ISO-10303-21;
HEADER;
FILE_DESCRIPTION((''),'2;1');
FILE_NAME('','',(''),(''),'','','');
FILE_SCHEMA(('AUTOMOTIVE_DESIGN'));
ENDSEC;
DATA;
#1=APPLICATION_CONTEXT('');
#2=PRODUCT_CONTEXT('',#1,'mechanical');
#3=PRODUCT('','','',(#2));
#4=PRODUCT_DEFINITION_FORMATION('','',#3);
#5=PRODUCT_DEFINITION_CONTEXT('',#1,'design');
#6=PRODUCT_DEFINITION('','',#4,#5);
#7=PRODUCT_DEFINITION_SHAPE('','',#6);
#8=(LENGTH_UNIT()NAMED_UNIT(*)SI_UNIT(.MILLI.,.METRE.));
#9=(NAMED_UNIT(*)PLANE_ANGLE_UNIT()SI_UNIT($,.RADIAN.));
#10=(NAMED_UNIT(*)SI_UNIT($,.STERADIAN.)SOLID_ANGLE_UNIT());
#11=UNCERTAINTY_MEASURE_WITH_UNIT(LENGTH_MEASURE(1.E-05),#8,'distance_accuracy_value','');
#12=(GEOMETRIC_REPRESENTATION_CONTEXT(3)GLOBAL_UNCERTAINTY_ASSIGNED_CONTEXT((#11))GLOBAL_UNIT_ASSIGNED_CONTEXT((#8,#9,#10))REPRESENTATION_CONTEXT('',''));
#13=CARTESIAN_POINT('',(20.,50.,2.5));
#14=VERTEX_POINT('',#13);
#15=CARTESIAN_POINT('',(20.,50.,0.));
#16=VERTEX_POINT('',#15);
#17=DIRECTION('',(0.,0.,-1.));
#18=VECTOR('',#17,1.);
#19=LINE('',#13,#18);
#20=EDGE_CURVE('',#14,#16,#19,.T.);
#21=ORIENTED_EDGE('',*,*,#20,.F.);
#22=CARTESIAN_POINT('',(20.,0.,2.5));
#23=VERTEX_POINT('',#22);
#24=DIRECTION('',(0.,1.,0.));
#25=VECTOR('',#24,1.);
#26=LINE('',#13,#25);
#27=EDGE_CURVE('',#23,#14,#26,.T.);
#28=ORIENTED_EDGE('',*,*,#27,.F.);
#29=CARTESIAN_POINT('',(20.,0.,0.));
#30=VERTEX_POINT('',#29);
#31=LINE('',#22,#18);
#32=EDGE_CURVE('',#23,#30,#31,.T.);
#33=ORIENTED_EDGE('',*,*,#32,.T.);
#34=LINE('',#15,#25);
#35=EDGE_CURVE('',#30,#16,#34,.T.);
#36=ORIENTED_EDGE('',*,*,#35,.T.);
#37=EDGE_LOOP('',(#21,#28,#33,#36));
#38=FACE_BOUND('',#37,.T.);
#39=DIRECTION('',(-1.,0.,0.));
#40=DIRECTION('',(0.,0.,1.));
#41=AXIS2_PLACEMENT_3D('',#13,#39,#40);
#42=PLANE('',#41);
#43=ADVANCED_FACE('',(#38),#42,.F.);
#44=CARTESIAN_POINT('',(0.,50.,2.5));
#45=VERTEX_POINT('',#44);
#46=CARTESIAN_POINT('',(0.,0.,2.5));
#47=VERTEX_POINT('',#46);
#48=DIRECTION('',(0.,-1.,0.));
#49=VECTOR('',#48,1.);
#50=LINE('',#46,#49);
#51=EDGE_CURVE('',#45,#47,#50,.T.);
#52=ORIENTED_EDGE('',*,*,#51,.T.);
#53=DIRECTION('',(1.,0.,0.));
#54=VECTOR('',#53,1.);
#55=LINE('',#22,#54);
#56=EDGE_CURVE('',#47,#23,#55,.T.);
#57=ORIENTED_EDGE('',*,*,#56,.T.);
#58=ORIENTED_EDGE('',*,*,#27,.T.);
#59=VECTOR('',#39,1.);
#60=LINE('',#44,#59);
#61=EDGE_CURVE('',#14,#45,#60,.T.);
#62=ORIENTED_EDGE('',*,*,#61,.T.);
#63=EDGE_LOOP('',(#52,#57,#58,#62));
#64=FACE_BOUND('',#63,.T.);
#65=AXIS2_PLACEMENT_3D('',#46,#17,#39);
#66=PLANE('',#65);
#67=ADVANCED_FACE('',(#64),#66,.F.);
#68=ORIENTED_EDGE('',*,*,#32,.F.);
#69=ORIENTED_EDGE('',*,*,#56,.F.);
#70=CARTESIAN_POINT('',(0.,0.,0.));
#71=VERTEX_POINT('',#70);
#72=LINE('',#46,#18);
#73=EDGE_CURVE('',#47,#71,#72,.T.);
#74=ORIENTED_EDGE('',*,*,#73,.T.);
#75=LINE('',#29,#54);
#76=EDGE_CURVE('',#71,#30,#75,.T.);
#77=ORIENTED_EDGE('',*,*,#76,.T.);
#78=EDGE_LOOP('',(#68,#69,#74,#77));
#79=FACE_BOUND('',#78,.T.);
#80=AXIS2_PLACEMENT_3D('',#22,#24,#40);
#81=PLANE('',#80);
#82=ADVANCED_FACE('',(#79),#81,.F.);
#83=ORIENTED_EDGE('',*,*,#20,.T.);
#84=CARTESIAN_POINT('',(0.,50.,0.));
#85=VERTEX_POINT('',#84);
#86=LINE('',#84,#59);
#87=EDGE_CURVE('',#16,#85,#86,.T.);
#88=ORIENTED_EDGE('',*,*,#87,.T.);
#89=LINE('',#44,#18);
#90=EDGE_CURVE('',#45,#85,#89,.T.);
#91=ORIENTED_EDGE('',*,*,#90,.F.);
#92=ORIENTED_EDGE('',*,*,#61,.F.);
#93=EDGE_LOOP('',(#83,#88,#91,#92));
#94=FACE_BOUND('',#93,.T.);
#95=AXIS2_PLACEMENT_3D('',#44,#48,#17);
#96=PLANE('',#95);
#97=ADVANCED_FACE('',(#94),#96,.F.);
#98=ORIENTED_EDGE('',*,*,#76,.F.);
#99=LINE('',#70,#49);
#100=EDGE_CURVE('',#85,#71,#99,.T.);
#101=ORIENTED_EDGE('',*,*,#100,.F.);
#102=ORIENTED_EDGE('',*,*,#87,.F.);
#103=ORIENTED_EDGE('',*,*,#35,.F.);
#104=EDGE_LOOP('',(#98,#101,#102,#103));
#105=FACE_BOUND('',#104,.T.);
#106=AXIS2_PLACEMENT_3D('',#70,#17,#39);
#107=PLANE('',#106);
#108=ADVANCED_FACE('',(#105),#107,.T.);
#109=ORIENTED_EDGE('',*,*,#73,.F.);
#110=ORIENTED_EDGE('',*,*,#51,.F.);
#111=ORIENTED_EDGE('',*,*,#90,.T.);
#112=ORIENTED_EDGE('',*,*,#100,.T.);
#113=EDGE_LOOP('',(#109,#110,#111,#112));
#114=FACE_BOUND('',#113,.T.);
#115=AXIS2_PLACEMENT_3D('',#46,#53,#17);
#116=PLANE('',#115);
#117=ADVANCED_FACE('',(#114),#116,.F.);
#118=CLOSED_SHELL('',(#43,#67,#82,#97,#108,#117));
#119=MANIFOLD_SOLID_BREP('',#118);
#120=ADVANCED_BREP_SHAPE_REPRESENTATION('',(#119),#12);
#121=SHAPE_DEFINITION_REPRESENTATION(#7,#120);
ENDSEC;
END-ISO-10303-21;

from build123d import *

# Parameters (mm, degrees)
CROQUIS1_W              = 20
CROQUIS1_H              = 50
SALIENTE_EXTRUIR1_DEPTH = 2.5


with BuildPart() as part:
    # Croquis1 → Saliente-Extruir1 (new body)
    with BuildSketch(Plane.XY):
        with Locations((10, 25)):
            Rectangle(CROQUIS1_W, CROQUIS1_H)
    extrude(amount=SALIENTE_EXTRUIR1_DEPTH)


solid = part.part
